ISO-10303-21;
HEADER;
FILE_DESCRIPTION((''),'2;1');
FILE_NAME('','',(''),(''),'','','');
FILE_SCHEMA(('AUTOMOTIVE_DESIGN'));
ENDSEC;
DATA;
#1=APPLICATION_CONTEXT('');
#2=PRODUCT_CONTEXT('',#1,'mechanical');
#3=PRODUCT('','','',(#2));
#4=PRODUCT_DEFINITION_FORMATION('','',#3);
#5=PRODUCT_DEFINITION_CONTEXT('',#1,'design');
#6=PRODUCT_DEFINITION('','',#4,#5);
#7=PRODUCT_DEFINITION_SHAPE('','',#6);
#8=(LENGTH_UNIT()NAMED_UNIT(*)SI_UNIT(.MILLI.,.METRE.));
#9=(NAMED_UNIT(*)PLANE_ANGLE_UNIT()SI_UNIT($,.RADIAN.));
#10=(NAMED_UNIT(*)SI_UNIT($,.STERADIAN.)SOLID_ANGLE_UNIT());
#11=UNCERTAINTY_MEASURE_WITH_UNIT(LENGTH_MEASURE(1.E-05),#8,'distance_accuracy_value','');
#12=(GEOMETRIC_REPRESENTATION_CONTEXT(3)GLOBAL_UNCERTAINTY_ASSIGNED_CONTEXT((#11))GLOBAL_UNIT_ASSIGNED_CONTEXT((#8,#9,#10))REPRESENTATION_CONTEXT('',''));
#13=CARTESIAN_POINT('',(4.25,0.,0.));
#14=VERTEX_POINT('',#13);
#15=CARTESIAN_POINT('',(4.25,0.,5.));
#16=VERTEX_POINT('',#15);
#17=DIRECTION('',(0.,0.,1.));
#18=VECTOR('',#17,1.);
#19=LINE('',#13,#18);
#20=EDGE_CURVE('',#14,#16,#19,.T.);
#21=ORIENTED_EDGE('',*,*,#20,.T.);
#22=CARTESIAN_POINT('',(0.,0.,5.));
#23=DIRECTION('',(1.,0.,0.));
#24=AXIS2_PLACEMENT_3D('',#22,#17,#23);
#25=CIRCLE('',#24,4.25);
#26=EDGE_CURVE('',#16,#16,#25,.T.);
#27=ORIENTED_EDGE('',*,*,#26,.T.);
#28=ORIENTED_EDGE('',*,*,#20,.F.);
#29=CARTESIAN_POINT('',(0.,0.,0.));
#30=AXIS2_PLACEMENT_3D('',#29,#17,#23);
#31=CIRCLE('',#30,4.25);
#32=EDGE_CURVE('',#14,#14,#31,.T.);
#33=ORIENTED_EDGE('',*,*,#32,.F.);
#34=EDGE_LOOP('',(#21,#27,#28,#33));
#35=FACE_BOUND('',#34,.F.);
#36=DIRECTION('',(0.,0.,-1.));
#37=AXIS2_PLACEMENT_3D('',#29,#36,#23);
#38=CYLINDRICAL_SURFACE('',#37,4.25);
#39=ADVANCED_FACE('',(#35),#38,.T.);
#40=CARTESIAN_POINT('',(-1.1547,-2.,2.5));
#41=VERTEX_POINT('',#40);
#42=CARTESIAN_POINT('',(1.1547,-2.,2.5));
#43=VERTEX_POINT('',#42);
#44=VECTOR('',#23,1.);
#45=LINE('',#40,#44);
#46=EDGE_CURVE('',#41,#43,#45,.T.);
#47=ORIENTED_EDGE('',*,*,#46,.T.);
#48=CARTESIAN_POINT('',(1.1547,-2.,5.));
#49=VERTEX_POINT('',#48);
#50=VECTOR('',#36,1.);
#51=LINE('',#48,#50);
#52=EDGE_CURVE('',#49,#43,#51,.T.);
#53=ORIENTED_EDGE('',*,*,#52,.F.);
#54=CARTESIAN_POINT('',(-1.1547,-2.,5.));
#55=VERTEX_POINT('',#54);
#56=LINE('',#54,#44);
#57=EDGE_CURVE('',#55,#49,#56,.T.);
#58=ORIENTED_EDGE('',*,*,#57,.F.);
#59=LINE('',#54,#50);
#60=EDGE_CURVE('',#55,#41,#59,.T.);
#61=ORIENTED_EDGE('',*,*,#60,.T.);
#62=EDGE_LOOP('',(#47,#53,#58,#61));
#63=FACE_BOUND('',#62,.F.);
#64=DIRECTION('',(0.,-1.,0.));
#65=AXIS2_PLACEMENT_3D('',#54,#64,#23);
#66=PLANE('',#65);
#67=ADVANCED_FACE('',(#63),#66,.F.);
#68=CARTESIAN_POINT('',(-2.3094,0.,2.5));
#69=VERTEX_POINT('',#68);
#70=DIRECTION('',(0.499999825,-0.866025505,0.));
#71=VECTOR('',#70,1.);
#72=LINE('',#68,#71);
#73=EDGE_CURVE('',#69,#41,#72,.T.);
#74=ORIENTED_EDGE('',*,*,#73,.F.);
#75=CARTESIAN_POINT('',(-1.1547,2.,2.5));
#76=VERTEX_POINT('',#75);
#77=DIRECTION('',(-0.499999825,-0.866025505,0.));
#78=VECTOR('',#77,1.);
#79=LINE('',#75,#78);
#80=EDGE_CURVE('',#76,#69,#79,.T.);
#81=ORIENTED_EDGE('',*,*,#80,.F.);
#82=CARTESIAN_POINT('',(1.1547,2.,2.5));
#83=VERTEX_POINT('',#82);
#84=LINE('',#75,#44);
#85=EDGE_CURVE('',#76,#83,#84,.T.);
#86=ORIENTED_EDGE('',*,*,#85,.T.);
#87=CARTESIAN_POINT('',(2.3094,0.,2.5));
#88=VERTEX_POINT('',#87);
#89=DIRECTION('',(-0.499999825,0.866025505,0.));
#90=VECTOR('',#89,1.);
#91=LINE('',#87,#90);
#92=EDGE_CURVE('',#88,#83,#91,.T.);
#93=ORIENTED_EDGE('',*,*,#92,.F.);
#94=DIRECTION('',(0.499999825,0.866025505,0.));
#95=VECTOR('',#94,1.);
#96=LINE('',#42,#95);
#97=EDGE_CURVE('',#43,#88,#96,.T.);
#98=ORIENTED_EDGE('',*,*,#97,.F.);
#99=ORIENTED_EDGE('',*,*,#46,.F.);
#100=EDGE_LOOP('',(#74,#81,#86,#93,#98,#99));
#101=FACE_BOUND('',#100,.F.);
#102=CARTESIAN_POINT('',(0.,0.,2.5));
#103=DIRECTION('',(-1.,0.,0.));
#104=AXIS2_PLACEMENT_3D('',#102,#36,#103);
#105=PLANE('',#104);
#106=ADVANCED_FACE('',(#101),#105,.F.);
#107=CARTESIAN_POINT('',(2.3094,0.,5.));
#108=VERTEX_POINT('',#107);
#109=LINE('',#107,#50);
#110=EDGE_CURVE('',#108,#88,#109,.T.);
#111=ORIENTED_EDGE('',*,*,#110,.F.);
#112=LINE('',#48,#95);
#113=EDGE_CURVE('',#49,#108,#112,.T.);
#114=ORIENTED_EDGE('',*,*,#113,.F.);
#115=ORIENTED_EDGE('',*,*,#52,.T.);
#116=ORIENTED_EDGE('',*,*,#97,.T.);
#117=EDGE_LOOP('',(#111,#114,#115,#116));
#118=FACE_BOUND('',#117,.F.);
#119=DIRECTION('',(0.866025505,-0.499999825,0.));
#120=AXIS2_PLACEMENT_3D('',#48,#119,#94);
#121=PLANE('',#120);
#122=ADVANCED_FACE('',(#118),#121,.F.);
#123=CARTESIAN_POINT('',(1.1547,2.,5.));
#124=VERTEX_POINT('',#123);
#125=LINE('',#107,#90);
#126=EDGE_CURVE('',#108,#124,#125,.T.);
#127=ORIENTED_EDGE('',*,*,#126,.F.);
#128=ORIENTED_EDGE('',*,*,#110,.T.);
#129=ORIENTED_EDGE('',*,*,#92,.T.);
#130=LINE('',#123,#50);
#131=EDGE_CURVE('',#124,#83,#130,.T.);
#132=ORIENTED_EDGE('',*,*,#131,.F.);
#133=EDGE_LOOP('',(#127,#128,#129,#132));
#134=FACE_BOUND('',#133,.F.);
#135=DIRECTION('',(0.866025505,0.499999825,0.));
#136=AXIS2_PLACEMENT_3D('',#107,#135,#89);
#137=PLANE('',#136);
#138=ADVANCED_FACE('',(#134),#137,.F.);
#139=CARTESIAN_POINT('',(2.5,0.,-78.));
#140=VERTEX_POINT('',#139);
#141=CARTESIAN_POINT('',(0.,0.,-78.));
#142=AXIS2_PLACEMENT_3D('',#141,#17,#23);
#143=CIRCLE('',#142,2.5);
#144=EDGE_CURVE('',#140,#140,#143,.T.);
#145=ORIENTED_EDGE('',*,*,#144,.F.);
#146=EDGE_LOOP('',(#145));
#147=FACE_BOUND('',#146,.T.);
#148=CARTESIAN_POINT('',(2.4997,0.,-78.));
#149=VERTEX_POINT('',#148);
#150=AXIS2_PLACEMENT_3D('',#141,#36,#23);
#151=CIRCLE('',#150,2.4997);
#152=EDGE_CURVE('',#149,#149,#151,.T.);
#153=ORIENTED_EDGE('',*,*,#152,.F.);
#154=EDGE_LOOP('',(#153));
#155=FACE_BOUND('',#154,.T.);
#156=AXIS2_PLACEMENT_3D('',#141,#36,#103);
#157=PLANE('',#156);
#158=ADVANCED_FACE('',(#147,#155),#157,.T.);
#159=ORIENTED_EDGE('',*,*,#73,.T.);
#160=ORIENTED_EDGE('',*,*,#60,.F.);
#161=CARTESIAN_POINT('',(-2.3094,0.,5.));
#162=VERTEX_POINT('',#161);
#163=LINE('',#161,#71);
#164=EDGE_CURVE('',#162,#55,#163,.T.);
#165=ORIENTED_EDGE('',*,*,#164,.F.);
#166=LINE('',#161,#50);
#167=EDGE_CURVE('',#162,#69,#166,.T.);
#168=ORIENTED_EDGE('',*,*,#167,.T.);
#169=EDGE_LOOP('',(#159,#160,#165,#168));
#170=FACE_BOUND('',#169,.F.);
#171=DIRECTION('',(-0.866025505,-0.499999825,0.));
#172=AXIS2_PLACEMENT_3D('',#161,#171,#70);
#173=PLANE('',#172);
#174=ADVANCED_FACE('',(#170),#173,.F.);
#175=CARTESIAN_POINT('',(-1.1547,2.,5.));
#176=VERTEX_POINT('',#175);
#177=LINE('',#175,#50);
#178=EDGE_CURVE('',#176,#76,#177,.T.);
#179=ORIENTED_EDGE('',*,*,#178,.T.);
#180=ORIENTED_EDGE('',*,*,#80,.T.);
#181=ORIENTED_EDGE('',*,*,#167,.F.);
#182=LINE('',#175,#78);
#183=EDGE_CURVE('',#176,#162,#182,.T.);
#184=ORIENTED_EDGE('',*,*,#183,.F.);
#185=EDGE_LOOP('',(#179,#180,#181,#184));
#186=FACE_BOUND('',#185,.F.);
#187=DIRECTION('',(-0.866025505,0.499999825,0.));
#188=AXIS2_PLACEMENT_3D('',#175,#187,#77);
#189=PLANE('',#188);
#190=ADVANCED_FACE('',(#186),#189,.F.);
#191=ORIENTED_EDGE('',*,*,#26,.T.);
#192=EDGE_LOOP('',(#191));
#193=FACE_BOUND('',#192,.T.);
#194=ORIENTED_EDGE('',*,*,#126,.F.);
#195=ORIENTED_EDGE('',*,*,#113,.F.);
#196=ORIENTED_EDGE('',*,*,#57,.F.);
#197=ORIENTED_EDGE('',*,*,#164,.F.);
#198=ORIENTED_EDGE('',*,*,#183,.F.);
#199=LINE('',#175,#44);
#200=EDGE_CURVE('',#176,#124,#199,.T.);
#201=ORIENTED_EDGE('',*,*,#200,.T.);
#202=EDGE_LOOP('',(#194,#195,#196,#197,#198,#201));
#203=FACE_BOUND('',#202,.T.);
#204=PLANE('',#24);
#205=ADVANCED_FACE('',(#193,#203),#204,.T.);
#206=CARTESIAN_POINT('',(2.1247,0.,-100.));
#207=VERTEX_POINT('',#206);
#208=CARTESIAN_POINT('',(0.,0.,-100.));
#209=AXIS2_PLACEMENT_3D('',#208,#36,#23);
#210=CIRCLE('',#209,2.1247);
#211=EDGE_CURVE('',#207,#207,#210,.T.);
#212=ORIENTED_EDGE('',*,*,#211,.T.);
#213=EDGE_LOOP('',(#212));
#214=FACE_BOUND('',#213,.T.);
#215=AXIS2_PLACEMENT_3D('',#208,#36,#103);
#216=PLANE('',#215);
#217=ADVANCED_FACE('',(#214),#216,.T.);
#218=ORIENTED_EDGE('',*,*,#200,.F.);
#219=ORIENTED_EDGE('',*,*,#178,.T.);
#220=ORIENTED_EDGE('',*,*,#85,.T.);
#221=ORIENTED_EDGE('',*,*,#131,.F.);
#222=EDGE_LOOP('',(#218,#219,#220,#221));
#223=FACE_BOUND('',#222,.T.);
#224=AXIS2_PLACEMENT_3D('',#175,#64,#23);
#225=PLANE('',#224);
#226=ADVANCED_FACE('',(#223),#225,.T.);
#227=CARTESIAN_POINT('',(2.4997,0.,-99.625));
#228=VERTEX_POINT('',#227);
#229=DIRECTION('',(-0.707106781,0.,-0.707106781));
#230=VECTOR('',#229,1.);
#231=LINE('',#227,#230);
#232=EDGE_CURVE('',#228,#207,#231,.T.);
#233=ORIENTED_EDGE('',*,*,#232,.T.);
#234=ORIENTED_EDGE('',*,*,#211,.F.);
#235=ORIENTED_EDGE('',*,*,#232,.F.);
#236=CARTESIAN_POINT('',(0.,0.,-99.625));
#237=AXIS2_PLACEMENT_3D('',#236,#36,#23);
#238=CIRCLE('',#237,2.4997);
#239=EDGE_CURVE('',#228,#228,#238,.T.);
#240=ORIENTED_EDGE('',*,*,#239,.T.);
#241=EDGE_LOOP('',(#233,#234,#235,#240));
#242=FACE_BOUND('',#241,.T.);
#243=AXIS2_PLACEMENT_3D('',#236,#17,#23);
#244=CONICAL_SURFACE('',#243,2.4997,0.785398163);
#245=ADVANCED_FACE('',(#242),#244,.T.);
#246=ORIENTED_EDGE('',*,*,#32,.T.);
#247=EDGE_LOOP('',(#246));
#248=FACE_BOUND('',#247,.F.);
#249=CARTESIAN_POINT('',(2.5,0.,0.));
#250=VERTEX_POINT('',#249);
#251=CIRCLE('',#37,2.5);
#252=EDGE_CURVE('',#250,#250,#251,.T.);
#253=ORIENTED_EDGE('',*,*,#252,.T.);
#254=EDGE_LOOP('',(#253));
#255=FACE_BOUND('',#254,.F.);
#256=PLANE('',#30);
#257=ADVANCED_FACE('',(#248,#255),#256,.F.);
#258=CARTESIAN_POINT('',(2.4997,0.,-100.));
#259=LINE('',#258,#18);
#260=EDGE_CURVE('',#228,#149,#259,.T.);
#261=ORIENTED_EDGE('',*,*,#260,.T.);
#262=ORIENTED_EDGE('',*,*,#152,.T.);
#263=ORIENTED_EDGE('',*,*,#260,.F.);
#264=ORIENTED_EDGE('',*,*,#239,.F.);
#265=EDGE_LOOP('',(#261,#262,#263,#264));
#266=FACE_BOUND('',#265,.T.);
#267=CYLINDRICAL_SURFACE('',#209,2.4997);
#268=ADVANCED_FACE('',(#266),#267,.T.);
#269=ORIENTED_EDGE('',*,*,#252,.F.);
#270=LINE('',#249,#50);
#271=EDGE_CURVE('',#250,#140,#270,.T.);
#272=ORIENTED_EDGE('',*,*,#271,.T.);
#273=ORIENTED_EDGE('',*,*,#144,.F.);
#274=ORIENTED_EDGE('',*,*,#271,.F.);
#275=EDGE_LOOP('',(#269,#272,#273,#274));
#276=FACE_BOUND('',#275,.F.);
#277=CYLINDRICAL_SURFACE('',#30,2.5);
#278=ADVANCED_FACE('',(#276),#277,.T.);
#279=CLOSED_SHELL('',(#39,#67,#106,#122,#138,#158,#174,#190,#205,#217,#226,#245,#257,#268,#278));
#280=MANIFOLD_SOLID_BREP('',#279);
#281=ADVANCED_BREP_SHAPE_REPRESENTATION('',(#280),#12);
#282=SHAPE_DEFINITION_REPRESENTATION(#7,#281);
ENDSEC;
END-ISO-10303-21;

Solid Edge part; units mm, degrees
sketch "Sketch1" plane through (0, 0, 0) normal (0, 0, 1) x (1, 0, 0)
  circle A0 centre (0, 0) radius 4.25
  dimension "D1" = 8.5
extrude "Protrusion1" add sketch "Sketch1" along normal blind 5
sketch "Sketch2" plane through (0, 0, 0) normal (0, 0, -1) x (1, 0, 0)
  circle A0 centre (0, 0) radius 2.5
extrude "Protrusion2" add sketch "Sketch2" along normal blind 100
sketch "Sketch3" plane through (0, 0, -100) normal (0, 0, -1) x (1, 0, 0)
  circle A0 centre (0, 0) radius 2.4997
extrude "Cutout1" cut sketch "Sketch3" against normal blind 22 flip side to cut
chamfer "Chamfer_1" distance 0.375 angle 45 1 edges at (-2.4997, 0, -100)
sketch "Sketch4" plane through (0, 0, 5) normal (0, 0, 1) x (1, 0, 0)
  line L0 (-1.1547, 2) -> (1.1547, 2)
  line L1 (2.3094, 0) -> (1.1547, 2)
  line L2 (1.1547, -2) -> (2.3094, 0)
  line L3 (-1.1547, -2) -> (1.1547, -2)
  line L4 (-2.3094, 0) -> (-1.1547, -2)
  line L5 (-1.1547, 2) -> (-2.3094, 0)
  dimension "D1" = 4
extrude "Cutout2" cut sketch "Sketch4" against normal blind 2.5
properties part number "170766" material "Stainless Steel, 304"
